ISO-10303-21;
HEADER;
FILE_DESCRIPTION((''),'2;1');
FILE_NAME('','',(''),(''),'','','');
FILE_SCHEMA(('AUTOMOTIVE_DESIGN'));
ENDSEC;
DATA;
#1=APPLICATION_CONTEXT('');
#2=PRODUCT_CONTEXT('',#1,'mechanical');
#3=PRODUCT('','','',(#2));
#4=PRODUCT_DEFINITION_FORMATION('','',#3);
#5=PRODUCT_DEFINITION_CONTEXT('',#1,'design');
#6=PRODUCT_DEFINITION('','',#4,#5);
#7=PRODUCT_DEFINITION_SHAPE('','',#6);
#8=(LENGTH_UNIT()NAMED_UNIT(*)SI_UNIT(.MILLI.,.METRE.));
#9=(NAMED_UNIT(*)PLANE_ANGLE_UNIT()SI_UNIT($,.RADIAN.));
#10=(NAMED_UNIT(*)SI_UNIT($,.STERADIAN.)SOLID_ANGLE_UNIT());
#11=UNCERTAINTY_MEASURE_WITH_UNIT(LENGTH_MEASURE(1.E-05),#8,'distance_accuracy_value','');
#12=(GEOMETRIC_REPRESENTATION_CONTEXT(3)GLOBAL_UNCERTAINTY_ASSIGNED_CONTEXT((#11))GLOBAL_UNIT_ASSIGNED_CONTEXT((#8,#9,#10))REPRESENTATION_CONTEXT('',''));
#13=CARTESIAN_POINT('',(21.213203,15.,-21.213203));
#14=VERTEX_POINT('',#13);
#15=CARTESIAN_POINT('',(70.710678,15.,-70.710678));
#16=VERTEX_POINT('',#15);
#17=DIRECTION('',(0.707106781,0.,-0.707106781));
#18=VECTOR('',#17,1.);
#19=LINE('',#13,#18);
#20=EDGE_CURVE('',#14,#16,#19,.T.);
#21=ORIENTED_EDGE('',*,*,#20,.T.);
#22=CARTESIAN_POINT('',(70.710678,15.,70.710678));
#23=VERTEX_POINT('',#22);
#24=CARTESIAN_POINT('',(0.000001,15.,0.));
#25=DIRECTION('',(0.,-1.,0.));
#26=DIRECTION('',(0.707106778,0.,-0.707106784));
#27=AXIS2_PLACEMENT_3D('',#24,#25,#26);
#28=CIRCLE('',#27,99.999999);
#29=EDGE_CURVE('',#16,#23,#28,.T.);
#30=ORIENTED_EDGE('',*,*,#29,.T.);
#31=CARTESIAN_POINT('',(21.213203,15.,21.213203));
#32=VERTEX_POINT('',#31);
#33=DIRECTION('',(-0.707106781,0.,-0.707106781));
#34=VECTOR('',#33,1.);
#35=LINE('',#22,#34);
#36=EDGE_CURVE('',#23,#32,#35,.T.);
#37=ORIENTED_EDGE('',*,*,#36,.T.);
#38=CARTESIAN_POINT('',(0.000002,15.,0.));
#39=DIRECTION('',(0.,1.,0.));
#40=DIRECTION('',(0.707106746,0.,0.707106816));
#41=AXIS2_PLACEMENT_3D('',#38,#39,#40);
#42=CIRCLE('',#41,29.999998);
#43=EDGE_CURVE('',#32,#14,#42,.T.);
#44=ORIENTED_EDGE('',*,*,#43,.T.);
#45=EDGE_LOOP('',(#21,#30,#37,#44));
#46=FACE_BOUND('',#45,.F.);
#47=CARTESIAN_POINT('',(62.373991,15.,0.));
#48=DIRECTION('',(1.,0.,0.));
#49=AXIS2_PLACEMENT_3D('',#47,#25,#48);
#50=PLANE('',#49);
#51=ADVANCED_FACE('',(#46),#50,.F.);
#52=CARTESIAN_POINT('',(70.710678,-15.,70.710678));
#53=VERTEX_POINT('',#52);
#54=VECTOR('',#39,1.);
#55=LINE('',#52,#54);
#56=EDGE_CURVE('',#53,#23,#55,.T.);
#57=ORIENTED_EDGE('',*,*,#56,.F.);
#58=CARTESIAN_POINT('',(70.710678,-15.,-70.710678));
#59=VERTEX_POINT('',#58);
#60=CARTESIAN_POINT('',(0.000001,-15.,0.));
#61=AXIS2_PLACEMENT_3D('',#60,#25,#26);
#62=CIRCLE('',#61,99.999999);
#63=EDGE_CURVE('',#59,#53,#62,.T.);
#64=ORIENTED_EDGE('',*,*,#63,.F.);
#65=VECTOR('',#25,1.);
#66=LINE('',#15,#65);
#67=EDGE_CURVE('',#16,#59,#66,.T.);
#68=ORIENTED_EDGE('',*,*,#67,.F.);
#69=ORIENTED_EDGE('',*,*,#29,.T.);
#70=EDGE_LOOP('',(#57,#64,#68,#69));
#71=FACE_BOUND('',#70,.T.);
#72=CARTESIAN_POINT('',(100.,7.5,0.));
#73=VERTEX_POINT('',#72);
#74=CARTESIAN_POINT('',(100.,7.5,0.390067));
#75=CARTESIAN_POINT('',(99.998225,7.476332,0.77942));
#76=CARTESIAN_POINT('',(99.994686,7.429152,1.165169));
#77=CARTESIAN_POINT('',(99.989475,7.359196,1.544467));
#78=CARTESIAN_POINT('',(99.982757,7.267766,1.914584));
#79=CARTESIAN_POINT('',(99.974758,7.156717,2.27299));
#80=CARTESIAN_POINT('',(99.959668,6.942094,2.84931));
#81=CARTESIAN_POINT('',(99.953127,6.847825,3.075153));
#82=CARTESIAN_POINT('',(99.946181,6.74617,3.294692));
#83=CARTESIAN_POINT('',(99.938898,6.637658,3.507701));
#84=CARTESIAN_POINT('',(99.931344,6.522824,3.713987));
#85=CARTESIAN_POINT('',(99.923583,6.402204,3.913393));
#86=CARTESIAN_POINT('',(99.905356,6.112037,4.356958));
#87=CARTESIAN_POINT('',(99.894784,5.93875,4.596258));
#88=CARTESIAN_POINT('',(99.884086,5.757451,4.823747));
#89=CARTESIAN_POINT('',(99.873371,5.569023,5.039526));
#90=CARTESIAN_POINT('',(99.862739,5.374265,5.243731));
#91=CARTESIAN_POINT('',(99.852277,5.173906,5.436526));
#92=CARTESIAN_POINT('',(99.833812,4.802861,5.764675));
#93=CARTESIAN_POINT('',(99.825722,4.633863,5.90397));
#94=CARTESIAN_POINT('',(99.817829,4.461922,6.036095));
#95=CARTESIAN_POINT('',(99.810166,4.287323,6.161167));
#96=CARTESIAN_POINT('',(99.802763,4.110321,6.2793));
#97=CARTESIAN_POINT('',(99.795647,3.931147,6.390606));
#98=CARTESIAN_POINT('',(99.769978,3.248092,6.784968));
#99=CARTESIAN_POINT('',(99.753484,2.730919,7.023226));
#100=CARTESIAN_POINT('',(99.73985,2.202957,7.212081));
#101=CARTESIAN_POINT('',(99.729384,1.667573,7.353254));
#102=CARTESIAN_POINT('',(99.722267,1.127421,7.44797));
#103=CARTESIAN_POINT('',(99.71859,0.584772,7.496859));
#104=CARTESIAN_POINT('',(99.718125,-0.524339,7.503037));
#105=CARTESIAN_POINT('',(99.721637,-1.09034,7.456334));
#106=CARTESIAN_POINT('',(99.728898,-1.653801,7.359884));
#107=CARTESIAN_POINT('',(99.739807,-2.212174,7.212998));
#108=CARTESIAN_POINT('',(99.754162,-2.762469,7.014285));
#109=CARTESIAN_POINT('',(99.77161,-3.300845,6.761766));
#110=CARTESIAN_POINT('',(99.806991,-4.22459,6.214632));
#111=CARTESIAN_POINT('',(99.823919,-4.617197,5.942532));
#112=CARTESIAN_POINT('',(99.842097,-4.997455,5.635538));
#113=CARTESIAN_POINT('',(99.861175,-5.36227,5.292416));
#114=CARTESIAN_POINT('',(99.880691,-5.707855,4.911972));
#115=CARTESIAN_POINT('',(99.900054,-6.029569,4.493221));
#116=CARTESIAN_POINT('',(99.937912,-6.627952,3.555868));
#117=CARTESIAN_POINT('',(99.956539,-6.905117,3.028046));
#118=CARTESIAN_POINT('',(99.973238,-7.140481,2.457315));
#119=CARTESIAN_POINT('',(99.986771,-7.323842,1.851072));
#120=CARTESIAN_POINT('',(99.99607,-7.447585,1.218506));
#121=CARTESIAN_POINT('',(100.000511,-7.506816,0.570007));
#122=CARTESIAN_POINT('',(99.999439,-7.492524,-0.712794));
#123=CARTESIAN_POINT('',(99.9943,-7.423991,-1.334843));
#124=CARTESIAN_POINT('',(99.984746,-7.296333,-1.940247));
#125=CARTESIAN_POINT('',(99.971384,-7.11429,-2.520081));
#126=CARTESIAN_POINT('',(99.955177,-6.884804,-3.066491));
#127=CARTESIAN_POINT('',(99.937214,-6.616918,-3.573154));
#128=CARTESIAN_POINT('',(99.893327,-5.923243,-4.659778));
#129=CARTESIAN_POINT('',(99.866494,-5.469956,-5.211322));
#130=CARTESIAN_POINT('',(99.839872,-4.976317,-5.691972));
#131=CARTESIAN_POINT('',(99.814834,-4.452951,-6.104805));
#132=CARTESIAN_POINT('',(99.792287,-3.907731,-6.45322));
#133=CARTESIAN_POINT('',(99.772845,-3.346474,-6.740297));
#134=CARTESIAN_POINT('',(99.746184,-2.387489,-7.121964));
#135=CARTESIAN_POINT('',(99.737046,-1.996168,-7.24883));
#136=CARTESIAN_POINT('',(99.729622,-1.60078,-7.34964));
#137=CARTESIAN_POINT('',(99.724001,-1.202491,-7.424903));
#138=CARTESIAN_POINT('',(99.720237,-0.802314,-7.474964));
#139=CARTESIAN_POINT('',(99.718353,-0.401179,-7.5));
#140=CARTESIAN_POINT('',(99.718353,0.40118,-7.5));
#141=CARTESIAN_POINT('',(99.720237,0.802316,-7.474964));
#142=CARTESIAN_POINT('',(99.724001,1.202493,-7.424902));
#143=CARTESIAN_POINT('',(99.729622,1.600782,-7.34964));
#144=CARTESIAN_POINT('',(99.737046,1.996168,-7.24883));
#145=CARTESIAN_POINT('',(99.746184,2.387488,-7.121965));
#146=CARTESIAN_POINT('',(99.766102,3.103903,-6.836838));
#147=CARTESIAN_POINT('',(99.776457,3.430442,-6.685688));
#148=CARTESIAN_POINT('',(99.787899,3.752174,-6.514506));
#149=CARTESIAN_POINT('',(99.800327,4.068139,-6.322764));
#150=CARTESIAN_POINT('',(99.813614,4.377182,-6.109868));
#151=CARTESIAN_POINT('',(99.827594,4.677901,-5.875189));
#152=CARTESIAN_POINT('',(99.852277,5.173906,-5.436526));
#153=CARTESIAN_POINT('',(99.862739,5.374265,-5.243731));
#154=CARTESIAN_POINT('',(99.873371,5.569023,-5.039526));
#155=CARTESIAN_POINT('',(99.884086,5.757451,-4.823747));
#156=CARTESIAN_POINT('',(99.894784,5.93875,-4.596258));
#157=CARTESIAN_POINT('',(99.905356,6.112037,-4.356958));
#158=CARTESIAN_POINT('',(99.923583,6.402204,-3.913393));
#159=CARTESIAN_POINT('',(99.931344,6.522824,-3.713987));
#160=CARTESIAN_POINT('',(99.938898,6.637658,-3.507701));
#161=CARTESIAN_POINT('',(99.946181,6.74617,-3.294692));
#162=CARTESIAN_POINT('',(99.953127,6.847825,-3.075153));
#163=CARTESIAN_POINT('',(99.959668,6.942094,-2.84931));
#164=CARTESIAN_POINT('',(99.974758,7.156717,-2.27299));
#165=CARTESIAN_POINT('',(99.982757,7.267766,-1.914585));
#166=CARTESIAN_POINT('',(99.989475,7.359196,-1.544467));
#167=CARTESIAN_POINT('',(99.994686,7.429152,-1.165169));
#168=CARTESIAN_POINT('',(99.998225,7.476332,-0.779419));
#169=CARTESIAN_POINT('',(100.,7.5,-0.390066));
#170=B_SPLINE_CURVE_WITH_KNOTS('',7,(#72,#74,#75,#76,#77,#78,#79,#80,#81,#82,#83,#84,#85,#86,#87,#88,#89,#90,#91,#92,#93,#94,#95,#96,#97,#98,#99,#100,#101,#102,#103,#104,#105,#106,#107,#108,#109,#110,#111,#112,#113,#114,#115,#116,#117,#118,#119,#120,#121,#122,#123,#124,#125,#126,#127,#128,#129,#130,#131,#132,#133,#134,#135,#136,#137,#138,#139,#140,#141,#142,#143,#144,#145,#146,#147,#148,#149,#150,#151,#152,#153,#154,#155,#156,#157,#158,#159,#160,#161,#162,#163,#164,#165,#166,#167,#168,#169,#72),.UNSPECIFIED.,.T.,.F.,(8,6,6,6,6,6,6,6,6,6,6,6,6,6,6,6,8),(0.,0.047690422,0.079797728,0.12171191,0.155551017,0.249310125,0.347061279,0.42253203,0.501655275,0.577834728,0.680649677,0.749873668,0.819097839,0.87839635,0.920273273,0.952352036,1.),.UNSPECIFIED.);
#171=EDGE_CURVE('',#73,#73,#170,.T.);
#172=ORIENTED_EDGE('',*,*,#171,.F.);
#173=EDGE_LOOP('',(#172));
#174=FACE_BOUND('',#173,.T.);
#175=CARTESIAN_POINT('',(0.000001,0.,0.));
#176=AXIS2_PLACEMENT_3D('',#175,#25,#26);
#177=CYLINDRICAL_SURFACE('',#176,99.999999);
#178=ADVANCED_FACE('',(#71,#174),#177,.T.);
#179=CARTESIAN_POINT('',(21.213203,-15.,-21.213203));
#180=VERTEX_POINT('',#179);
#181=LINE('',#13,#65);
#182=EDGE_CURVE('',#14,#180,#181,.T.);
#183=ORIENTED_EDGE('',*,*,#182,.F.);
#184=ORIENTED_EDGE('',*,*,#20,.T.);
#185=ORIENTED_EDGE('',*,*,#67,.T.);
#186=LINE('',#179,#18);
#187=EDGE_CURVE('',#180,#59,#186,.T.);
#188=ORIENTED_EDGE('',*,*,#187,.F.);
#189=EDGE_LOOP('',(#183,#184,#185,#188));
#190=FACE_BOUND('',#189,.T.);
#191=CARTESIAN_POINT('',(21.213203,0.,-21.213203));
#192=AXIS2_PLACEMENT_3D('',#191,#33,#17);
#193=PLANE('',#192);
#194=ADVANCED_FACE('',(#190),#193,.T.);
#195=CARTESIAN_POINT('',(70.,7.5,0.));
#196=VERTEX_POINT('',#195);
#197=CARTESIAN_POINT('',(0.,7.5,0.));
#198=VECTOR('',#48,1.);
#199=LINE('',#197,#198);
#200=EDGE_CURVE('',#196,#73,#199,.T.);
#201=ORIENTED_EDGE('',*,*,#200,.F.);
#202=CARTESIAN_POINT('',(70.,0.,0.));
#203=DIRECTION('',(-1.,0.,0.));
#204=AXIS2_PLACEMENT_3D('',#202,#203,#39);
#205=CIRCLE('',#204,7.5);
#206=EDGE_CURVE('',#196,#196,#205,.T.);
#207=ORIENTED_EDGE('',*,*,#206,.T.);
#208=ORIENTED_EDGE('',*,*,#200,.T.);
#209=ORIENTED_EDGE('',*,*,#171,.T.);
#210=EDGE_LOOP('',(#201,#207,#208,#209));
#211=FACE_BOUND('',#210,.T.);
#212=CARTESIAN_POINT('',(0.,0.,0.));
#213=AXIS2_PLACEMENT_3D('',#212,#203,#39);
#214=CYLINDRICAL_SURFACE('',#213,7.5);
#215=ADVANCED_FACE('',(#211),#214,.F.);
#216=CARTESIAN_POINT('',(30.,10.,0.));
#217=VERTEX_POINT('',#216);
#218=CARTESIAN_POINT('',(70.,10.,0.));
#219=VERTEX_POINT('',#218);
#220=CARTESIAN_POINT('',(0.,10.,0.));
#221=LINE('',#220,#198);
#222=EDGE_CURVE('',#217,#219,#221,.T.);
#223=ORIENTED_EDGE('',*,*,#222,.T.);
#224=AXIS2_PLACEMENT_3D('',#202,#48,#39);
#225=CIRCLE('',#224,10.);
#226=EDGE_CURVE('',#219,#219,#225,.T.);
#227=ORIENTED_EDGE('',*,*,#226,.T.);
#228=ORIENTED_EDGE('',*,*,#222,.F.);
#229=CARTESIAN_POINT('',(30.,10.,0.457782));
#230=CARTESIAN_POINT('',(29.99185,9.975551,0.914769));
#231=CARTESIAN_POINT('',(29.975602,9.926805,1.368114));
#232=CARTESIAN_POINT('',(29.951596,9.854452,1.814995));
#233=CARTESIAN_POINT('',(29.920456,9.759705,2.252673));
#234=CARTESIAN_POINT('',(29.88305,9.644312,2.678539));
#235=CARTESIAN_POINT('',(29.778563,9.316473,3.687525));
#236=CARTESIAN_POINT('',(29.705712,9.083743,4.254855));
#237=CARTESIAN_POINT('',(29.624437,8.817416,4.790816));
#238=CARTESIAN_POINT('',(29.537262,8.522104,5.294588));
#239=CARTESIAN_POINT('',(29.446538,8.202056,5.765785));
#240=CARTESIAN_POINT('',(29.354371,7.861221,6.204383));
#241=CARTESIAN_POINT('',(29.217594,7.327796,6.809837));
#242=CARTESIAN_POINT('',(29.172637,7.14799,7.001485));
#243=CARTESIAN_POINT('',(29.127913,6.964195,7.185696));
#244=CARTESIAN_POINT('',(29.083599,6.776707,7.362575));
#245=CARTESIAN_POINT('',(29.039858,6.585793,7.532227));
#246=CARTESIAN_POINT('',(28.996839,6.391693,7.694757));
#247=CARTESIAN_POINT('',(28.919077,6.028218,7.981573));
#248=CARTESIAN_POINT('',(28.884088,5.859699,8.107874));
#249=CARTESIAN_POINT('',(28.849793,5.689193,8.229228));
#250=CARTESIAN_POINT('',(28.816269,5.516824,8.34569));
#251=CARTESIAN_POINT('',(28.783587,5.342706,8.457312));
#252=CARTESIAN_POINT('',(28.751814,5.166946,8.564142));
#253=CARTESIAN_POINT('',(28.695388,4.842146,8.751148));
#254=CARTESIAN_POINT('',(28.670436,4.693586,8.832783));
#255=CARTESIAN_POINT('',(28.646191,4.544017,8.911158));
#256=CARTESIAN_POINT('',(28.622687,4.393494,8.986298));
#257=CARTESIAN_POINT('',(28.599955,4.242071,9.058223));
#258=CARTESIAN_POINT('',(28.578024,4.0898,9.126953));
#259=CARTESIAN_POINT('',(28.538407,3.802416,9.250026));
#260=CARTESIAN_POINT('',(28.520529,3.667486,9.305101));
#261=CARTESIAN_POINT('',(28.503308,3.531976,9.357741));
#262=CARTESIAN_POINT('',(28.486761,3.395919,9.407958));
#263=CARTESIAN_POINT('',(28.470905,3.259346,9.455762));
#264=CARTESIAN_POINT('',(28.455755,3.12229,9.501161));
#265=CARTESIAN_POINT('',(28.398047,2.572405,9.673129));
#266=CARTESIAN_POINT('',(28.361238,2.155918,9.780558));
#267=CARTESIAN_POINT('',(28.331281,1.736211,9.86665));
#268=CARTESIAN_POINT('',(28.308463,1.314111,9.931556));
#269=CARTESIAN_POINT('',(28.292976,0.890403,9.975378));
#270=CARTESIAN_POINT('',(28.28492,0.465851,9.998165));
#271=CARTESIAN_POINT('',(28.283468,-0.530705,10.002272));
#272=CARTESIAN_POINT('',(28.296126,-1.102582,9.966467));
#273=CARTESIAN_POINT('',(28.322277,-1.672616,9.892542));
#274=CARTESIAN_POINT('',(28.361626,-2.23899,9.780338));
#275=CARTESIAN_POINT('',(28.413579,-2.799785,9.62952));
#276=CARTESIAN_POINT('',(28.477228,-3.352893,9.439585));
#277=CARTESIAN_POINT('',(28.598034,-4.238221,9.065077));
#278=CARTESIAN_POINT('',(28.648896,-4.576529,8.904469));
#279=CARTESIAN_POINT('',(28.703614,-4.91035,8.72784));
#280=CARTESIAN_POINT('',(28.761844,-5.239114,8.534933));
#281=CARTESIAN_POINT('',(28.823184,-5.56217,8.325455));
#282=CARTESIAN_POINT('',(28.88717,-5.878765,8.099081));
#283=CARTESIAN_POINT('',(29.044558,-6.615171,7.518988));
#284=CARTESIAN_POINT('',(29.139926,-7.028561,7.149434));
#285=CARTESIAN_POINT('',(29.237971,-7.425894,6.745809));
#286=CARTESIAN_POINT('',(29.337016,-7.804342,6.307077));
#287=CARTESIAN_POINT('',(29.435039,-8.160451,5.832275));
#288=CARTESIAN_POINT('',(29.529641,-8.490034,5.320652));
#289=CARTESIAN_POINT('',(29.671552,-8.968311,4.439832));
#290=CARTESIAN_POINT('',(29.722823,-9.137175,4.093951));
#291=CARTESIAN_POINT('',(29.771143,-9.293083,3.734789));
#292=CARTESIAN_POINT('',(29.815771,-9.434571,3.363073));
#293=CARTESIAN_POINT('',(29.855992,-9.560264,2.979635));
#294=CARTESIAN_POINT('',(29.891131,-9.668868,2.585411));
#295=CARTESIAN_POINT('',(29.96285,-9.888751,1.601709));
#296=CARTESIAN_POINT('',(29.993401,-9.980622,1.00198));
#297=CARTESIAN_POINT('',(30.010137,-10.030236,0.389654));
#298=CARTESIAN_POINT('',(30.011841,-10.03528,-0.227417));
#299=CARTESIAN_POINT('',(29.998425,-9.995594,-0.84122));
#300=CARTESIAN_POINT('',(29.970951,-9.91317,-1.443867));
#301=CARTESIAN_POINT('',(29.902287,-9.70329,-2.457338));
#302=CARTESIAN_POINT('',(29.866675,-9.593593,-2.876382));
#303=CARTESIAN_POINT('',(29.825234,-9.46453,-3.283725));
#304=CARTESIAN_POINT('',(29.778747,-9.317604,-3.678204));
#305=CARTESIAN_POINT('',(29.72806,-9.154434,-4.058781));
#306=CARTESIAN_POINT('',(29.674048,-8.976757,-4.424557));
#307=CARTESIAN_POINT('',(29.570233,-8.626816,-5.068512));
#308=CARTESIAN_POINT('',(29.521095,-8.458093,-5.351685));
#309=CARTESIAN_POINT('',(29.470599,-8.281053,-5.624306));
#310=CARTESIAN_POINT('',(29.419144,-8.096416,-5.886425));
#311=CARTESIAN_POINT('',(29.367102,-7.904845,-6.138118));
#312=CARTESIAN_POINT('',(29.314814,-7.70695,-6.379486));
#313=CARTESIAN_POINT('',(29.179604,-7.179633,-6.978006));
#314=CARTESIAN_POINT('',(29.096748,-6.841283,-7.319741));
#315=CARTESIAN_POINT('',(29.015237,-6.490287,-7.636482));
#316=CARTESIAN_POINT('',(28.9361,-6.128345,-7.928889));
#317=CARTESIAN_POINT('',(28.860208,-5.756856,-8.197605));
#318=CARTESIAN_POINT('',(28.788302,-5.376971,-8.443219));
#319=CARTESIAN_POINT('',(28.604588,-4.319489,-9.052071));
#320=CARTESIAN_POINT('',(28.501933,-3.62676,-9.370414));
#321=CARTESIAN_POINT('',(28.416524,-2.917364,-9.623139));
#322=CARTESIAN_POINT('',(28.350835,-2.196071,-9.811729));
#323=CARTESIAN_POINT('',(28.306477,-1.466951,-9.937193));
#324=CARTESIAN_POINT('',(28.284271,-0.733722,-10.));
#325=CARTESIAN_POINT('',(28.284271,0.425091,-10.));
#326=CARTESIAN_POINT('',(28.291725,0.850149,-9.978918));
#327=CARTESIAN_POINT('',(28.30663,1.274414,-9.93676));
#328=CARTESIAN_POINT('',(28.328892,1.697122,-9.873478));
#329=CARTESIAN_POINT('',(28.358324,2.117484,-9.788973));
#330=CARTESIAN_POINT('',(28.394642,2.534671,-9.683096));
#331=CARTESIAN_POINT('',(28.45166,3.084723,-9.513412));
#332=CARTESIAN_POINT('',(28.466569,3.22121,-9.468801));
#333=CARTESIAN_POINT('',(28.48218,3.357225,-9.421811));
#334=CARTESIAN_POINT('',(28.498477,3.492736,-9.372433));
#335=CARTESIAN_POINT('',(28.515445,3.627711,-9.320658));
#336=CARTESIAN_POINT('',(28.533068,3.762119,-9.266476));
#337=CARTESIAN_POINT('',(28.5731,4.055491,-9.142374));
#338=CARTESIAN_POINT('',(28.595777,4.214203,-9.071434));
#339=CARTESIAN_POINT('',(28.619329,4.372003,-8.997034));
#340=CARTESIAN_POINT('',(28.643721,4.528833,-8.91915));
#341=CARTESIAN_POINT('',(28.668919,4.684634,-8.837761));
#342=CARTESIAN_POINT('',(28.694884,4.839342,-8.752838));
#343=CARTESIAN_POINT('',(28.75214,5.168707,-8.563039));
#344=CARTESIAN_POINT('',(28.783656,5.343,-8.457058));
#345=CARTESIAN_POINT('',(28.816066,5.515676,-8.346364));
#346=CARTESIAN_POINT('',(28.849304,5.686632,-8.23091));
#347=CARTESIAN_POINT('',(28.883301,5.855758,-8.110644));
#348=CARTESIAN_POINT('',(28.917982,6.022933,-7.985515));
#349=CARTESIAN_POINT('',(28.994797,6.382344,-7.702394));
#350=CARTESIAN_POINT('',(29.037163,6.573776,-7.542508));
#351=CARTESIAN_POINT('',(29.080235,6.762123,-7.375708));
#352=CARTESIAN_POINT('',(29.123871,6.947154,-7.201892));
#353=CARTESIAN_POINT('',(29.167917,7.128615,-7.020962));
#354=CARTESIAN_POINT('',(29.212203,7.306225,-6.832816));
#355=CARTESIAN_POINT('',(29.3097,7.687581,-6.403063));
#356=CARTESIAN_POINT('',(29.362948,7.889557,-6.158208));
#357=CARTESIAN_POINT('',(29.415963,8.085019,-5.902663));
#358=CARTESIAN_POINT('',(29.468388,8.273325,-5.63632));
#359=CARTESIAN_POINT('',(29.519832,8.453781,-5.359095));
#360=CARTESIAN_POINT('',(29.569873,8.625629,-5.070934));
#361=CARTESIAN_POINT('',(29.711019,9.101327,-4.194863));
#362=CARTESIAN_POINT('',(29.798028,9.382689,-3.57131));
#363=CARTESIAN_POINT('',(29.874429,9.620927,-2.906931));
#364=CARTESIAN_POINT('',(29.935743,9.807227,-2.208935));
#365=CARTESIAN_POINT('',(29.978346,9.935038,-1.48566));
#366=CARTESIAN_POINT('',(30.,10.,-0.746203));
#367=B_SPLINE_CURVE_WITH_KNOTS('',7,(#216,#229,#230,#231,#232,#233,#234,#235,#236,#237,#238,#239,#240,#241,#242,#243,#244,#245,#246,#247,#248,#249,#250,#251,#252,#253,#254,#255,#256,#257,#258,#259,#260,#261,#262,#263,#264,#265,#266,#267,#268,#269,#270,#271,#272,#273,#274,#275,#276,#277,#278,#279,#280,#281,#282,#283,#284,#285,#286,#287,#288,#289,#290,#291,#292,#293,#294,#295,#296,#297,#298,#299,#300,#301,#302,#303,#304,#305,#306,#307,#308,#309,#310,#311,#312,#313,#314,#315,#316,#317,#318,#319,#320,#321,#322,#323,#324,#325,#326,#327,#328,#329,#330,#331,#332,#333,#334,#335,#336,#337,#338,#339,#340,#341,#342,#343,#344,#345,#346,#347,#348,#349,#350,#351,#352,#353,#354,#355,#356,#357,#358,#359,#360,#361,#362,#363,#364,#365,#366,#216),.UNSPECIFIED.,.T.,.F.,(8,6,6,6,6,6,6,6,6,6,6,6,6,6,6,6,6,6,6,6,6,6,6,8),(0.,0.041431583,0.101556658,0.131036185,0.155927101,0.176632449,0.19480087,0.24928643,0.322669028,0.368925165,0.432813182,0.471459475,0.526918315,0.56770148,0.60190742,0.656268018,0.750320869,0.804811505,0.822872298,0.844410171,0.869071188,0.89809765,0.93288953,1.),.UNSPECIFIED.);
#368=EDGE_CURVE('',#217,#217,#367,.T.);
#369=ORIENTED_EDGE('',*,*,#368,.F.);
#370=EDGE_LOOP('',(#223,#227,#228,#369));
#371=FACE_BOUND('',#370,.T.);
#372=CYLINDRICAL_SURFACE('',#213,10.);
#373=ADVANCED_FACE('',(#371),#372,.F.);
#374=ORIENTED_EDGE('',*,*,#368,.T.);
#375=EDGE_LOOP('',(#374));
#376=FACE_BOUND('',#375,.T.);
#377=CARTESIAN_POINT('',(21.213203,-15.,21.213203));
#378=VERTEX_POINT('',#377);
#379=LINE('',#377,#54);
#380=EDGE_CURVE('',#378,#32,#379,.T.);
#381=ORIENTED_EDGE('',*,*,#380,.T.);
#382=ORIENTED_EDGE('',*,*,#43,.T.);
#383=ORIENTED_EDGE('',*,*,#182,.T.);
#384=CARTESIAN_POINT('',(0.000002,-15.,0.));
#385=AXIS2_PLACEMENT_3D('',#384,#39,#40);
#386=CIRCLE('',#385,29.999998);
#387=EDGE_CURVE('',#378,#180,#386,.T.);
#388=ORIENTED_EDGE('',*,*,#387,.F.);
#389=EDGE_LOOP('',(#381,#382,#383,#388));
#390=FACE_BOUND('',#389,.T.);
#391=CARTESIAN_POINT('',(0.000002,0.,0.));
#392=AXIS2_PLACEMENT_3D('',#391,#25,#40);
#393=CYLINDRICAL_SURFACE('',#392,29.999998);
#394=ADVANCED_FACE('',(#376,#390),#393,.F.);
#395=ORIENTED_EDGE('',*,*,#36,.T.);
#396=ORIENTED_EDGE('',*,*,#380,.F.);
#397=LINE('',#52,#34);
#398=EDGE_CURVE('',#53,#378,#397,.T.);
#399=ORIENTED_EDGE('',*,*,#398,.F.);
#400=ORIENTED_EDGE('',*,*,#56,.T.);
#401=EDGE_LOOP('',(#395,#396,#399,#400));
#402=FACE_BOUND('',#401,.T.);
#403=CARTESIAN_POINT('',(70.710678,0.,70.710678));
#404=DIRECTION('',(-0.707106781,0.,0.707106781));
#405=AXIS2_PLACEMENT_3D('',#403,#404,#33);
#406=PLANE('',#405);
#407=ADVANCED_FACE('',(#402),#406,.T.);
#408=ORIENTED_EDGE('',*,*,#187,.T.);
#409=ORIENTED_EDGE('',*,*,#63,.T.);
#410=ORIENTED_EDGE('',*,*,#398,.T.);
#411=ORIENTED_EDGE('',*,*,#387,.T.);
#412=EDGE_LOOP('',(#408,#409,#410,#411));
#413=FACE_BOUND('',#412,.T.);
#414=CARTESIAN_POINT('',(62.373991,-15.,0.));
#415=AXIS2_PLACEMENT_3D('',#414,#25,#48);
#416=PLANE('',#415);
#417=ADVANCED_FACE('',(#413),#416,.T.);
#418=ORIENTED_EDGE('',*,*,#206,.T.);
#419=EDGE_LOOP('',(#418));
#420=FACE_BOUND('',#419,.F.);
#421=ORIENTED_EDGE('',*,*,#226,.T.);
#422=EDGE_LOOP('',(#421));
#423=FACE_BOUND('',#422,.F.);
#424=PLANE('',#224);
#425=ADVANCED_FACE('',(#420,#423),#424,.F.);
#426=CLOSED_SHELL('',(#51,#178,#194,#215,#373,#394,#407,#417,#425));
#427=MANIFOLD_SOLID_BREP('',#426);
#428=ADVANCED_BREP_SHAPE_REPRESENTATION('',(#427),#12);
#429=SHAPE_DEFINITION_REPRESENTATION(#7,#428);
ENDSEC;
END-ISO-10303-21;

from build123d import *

# Parameters (mm, degrees)
F1_DEPTH = 15
F2_R     = 7.5
F3_DEPTH = 118.466944
F4_R     = 10
F5_DEPTH = 70


with BuildPart() as f1:
    # F0 (on Front) → F1 (new body, symmetric)
    with BuildSketch(Plane.XZ):
        with BuildLine():
            ThreePointArc((21.213203, 21.213203), (30, 0), (21.213203, -21.213203))
            Line((21.213203, -21.213203), (70.710678, -70.710678))
            ThreePointArc((70.710678, -70.710678), (100, 0), (70.710678, 70.710678))
            Line((70.710678, 70.710678), (21.213203, 21.213203))
        make_face()
    extrude(amount=F1_DEPTH, both=True)

    # F2 (on Right) → F3 (cut)
    with BuildSketch(Plane.YZ):
        Circle(F2_R)
    extrude(amount=F3_DEPTH, mode=Mode.SUBTRACT)

    # F4 (on Right) → F5 (cut)
    with BuildSketch(Plane.YZ):
        Circle(F4_R)
    extrude(amount=F5_DEPTH, mode=Mode.SUBTRACT)


solid = f1.part
